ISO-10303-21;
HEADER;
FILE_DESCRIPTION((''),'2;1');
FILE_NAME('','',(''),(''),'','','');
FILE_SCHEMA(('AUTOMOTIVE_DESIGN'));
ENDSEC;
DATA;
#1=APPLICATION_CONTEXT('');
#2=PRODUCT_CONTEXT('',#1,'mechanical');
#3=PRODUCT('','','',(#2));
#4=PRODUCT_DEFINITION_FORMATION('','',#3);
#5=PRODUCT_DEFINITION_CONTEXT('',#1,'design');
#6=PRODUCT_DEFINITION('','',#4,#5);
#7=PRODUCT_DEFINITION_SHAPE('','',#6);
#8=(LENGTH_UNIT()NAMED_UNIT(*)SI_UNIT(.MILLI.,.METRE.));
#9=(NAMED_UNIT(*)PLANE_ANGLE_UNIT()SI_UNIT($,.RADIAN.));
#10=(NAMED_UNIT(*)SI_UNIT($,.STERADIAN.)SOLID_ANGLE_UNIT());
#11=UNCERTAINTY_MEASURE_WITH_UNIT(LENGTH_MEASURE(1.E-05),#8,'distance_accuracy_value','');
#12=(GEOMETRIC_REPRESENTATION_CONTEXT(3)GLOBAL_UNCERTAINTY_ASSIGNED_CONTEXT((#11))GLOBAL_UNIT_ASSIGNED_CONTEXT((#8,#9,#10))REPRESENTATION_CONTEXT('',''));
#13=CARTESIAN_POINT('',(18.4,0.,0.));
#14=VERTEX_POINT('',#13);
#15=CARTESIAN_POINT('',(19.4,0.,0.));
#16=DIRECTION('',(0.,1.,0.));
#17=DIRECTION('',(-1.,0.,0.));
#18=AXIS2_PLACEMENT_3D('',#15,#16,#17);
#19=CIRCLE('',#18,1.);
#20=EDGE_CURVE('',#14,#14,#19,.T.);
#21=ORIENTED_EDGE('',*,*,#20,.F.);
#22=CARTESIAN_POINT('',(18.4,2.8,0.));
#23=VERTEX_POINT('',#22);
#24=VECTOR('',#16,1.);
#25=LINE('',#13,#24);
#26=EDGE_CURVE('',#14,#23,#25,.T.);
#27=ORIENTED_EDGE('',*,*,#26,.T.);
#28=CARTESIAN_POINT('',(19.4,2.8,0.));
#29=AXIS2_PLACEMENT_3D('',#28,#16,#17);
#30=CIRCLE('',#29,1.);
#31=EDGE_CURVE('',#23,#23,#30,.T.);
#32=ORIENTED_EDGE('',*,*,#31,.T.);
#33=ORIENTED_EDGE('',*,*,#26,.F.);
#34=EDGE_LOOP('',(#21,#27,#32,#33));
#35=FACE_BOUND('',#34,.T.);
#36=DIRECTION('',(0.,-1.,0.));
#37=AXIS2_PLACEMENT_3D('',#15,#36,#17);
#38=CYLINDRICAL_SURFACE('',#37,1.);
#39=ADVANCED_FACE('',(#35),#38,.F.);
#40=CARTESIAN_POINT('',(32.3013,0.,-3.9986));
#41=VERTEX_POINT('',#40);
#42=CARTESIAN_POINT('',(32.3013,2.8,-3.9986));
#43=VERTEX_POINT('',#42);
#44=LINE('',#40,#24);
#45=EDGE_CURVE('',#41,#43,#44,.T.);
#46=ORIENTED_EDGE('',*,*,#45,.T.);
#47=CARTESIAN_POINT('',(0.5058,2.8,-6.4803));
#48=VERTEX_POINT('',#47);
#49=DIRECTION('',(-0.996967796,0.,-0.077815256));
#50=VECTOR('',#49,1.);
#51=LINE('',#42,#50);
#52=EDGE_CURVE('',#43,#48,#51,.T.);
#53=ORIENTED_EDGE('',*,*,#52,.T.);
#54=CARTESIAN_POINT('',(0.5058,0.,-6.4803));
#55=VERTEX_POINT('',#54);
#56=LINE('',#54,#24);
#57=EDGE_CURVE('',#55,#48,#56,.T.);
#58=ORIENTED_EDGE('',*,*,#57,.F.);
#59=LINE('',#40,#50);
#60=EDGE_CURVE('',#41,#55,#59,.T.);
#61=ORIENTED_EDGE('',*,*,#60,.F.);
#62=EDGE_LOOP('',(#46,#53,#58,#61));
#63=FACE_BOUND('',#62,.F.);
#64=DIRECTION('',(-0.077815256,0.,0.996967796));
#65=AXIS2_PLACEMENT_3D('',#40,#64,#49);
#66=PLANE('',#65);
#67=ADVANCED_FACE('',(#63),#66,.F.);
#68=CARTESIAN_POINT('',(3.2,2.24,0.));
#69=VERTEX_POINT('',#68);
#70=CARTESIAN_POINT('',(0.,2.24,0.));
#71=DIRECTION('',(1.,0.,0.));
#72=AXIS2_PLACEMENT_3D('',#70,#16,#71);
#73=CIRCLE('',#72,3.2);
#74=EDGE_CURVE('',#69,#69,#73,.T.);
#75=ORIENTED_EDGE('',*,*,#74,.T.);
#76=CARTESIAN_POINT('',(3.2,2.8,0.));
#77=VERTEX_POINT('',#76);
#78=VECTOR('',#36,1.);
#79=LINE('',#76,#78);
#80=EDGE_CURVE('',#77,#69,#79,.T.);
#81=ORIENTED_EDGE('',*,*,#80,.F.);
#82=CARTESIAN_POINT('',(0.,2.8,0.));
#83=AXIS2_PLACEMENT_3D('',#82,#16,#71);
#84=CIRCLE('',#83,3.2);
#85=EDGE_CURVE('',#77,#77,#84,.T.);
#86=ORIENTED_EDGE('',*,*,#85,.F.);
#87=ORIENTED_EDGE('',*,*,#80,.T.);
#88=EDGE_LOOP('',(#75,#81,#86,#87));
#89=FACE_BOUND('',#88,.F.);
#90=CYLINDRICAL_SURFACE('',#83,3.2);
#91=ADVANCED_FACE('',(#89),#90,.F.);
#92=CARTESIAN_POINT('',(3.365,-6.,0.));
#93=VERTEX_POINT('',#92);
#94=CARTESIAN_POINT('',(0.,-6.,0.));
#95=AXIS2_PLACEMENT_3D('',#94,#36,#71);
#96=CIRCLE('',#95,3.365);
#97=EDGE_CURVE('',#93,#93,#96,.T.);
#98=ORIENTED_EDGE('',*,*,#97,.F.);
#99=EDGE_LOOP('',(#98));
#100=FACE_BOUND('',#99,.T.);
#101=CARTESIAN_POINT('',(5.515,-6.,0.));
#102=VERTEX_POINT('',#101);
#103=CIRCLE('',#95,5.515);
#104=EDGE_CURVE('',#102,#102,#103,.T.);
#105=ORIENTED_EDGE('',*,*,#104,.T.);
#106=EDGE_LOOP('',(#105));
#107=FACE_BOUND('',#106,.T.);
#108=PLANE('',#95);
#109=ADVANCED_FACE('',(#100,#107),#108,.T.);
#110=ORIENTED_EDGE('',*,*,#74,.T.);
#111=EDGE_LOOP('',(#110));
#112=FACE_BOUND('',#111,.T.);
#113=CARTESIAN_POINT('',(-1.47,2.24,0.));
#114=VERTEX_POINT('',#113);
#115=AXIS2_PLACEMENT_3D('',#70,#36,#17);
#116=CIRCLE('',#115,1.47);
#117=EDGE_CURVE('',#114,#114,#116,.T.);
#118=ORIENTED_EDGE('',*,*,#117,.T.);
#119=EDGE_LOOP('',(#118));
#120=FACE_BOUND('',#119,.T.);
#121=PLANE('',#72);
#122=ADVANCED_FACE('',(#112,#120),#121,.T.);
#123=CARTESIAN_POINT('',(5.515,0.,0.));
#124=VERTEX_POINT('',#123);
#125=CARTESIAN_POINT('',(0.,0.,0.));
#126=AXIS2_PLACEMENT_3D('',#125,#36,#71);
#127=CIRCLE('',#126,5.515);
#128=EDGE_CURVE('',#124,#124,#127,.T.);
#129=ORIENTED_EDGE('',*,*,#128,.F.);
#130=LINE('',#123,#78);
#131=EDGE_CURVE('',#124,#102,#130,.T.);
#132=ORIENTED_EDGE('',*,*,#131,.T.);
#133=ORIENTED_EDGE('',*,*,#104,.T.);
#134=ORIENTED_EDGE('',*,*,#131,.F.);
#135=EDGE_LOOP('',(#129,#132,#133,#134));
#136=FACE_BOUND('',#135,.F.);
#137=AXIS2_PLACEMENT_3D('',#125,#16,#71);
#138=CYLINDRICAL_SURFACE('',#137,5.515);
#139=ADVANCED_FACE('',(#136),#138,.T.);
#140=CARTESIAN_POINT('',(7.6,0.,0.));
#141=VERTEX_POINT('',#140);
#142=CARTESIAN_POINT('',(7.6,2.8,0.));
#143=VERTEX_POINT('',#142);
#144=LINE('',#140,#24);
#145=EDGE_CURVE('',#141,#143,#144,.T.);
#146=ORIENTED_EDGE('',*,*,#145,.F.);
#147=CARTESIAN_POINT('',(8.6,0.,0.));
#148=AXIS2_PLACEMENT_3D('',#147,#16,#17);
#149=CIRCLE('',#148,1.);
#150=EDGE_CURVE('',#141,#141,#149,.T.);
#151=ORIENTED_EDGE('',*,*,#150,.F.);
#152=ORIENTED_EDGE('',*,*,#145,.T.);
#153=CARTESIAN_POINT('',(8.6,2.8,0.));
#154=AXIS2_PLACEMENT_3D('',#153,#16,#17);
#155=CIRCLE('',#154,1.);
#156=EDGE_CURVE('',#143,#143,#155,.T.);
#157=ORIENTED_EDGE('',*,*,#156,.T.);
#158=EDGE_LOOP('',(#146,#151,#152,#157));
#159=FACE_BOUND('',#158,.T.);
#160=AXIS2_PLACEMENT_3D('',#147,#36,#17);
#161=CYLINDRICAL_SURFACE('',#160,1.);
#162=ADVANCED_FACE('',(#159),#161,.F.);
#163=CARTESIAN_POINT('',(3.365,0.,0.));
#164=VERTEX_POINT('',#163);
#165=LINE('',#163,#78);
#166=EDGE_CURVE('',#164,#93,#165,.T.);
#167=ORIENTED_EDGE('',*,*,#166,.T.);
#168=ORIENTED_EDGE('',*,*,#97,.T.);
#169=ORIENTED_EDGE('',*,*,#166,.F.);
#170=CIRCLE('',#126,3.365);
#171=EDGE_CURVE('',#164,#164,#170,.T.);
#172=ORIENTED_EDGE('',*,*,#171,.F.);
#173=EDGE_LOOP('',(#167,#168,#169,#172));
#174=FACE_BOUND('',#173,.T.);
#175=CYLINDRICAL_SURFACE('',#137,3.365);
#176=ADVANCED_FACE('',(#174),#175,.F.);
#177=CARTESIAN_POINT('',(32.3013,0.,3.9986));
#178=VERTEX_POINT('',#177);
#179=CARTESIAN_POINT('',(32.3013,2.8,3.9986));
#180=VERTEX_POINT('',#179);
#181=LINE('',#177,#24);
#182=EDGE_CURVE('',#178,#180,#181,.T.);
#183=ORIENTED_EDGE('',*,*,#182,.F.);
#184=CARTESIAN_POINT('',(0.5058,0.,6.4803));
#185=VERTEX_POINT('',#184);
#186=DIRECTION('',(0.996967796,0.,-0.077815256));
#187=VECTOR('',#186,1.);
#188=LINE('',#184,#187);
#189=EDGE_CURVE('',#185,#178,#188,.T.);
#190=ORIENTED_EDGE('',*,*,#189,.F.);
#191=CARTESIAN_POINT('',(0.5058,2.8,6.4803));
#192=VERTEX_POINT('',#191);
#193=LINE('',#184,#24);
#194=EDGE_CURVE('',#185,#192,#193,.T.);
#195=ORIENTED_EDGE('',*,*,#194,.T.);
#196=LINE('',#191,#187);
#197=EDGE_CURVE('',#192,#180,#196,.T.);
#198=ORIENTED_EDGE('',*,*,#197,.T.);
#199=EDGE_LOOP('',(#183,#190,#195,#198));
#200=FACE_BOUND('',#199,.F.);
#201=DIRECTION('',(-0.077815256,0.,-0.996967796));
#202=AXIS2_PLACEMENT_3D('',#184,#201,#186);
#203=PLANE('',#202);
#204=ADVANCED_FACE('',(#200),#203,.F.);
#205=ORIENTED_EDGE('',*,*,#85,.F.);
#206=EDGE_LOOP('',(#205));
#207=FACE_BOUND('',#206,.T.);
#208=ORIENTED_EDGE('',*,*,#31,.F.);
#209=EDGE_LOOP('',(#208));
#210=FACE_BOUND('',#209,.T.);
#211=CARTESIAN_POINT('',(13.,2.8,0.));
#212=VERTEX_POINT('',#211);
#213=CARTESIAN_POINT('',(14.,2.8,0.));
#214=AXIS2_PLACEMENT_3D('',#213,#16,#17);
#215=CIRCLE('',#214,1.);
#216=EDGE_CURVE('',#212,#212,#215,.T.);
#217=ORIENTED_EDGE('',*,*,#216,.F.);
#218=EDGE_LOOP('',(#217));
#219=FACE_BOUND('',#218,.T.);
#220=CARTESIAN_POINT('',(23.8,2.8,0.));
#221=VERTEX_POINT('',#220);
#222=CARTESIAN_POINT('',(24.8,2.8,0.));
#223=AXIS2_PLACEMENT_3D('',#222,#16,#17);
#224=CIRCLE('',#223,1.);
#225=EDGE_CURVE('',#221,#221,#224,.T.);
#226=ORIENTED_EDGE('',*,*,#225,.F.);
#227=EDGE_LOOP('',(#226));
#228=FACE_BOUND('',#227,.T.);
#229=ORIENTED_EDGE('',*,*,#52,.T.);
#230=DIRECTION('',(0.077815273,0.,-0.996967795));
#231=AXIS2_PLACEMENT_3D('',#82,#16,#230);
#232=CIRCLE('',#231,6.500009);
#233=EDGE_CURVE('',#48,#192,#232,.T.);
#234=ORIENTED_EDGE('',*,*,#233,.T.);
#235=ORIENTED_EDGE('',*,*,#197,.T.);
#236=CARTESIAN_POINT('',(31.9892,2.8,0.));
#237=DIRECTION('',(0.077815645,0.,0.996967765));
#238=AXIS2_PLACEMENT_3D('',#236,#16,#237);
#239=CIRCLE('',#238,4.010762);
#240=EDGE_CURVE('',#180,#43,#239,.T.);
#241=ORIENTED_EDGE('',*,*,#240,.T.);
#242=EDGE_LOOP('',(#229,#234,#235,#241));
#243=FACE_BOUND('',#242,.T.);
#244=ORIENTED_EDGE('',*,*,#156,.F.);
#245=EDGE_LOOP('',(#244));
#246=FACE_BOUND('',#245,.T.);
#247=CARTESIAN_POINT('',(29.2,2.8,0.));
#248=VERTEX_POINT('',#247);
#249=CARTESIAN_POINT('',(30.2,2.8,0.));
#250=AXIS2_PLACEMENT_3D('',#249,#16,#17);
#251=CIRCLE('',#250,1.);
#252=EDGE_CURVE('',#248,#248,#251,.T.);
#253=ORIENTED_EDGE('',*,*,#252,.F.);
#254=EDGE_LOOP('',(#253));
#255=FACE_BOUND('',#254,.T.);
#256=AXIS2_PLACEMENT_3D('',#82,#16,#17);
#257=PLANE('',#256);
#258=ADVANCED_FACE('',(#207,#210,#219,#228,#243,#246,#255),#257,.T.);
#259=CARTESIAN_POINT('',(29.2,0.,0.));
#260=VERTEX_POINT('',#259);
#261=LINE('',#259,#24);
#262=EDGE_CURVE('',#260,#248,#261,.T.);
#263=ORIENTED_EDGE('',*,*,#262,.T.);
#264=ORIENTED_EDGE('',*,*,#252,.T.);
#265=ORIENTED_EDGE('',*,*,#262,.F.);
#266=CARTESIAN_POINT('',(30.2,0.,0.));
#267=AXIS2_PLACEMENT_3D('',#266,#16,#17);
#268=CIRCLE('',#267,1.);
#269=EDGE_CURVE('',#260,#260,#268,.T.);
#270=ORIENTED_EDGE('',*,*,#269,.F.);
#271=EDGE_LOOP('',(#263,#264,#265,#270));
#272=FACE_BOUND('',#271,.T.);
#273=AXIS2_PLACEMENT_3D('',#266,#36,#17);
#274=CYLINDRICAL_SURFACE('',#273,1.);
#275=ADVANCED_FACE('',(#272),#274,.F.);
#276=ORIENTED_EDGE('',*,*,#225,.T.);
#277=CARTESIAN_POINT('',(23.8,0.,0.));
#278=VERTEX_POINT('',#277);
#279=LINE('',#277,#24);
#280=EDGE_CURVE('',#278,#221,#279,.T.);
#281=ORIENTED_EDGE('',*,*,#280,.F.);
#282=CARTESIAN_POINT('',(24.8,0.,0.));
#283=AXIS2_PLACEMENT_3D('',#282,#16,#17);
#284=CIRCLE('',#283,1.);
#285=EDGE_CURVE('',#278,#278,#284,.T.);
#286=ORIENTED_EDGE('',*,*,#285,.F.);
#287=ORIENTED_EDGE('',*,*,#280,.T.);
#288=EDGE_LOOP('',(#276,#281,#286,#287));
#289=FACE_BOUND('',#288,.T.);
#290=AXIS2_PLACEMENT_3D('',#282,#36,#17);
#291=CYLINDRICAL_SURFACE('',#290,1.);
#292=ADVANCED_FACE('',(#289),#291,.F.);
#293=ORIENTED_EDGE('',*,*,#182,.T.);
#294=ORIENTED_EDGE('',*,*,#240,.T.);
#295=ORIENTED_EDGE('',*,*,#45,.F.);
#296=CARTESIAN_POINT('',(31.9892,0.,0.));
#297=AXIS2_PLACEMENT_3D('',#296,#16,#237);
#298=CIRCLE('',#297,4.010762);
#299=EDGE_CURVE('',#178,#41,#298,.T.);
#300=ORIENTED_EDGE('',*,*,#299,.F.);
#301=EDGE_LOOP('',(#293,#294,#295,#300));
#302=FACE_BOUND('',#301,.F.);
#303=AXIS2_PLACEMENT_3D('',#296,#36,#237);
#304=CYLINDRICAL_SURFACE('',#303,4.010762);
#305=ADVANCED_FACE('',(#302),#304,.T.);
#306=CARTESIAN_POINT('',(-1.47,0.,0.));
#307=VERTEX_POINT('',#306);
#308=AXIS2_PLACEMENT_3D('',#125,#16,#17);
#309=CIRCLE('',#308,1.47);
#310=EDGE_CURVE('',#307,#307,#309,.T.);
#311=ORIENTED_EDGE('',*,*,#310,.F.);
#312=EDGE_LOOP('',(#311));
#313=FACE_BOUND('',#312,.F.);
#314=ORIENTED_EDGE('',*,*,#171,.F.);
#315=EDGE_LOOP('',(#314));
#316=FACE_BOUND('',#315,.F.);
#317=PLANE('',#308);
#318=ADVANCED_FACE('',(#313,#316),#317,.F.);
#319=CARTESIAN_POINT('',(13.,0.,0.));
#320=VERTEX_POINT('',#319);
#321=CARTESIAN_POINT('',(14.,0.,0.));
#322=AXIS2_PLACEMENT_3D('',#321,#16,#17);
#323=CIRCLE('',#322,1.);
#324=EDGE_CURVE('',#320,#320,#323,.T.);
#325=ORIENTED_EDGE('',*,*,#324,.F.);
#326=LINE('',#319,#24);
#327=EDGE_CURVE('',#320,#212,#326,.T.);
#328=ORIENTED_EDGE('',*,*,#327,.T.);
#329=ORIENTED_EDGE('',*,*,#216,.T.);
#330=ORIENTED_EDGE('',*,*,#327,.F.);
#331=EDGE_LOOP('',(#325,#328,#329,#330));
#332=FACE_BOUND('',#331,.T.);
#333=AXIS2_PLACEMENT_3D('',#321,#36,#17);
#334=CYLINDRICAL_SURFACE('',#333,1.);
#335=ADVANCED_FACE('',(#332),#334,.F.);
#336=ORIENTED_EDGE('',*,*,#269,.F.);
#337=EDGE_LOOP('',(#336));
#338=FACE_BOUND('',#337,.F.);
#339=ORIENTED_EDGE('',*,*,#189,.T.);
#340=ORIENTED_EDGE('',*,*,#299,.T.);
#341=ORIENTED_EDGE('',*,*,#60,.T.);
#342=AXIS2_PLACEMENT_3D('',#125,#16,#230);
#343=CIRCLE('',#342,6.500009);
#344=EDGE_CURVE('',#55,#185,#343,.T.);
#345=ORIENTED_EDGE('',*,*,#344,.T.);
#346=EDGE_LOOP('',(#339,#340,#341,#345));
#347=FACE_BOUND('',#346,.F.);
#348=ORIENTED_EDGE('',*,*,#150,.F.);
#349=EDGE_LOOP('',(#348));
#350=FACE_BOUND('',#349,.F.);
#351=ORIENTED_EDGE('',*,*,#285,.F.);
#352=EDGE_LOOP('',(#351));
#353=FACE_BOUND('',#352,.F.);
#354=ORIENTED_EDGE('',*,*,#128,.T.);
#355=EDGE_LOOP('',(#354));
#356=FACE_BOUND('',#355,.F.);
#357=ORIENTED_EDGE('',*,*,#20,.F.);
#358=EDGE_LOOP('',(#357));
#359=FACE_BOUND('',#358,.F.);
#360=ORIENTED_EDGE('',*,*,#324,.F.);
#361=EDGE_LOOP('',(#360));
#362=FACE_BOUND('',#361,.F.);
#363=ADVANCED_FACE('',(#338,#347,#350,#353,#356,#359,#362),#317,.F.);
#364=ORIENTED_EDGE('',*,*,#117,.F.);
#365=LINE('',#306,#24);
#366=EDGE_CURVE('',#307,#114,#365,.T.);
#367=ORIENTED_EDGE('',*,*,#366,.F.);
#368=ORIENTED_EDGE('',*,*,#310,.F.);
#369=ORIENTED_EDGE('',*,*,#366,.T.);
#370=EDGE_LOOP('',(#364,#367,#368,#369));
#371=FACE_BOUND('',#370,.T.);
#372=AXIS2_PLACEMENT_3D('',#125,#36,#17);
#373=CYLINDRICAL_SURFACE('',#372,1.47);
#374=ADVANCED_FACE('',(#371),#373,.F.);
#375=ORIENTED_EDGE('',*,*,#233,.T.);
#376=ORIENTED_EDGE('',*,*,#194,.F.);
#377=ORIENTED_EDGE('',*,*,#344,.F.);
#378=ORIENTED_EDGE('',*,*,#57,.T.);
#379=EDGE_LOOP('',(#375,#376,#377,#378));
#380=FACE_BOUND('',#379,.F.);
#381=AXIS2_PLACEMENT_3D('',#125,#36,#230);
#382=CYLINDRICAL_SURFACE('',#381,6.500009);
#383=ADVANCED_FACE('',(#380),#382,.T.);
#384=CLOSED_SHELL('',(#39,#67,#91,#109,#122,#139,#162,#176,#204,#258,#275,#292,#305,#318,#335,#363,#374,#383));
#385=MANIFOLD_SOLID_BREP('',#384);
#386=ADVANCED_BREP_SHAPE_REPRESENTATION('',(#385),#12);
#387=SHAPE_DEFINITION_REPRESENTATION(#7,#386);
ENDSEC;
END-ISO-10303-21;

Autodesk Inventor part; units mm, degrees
ref_plane "YZ Plane" through (0, 0, 0) normal (1, 0, 0) x (0, 1, 0)
ref_plane "XZ Plane" through (0, 0, 0) normal (0, 1, 0) x (-1, 0, 0)
ref_plane "XY Plane" through (0, 0, 0) normal (0, 0, 1) x (1, 0, 0)
sketch "Sketch1" plane through (0, 0, 0) normal (0, 1, 0) x (-1, 0, 0)
  arc A0 (-0.5058, -6.4803) -> (-0.5058, 6.4803) centre (0, 0) ccw
  arc A1 (-32.3013, 3.9986) -> (-32.3013, -3.9986) centre (-31.9892, 0) ccw
  line L0 (-32.3013, -3.9986) -> (-0.5058, -6.4803)
  line L1 (-0.5058, 6.4803) -> (-32.3013, 3.9986)
  circle A2 centre (0, 0) radius 1.47
  circle A3 centre (-14, 0) radius 1
  circle A4 centre (-19.4, 0) radius 1
  circle A5 centre (-24.8, 0) radius 1
  circle A6 centre (-30.2, 0) radius 1
  circle A7 centre (-8.6, 0) radius 1
  point P0 (-36, 0)
  point P1 (-36, 0)
  dimension "d0" = 0
  dimension "d1" = 0
  dimension "d2" = 13
  dimension "d3" = 0
  dimension "d4" = 42.5
  dimension "d5" = 2.94
  dimension "d6" = 5.4
  dimension "d7" = 5.4
  dimension "d8" = 5.4
  dimension "d9" = 5.4
  dimension "d10" = 0
  dimension "d11" = 5.8
  dimension "d12" = 2
  dimension "d13" = 2
  dimension "d14" = 2
  dimension "d15" = 2
  dimension "d16" = 2
  dimension "d17" = 0
  dimension "d18" = 0
  dimension "d19" = 0
  dimension "d20" = 0
  dimension "d21" = 0
  dimension "d22" = 3.15
extrude "Extrusion1" add sketch "Sketch1" along normal blind 2.8
sketch "Sketch2" plane through (0, 0, 0) normal (0, -1, 0) x (1, 0, 0)
  circle A0 centre (0, 0) radius 3.365 construction
  arc A1 (0.5058, 6.4803) -> (0.5058, -6.4803) centre (0, 0) ccw projected
  circle A2 centre (0, 0) radius 5.515
  circle A3 centre (0, 0) radius 3.365
  dimension "d25" = 11.03
  dimension "d28" = 6.73
extrude "Extrusion3" add sketch "Sketch2" along normal blind 6
sketch "Sketch3" plane through (0, 2.8, 0) normal (0, 1, 0) x (1, 0, 0)
  circle A0 centre (0, 0) radius 1.47 projected
  arc A1 (0.5058, 6.4803) -> (0.5058, -6.4803) centre (0, 0) ccw projected
  circle A2 centre (0, 0) radius 3.2
  dimension "d31" = 6.4
extrude "Extrusion4" cut sketch "Sketch3" against normal blind 0.56
equation "\"d7\" = d6"
equation "\"d8\" = d6"
equation "\"d9\" = d6"
equation "\"d13\" = d12"
equation "\"d14\" = d12"
equation "\"d15\" = d12"
equation "\"d16\" = d12"
properties part number "ServoHorn"
